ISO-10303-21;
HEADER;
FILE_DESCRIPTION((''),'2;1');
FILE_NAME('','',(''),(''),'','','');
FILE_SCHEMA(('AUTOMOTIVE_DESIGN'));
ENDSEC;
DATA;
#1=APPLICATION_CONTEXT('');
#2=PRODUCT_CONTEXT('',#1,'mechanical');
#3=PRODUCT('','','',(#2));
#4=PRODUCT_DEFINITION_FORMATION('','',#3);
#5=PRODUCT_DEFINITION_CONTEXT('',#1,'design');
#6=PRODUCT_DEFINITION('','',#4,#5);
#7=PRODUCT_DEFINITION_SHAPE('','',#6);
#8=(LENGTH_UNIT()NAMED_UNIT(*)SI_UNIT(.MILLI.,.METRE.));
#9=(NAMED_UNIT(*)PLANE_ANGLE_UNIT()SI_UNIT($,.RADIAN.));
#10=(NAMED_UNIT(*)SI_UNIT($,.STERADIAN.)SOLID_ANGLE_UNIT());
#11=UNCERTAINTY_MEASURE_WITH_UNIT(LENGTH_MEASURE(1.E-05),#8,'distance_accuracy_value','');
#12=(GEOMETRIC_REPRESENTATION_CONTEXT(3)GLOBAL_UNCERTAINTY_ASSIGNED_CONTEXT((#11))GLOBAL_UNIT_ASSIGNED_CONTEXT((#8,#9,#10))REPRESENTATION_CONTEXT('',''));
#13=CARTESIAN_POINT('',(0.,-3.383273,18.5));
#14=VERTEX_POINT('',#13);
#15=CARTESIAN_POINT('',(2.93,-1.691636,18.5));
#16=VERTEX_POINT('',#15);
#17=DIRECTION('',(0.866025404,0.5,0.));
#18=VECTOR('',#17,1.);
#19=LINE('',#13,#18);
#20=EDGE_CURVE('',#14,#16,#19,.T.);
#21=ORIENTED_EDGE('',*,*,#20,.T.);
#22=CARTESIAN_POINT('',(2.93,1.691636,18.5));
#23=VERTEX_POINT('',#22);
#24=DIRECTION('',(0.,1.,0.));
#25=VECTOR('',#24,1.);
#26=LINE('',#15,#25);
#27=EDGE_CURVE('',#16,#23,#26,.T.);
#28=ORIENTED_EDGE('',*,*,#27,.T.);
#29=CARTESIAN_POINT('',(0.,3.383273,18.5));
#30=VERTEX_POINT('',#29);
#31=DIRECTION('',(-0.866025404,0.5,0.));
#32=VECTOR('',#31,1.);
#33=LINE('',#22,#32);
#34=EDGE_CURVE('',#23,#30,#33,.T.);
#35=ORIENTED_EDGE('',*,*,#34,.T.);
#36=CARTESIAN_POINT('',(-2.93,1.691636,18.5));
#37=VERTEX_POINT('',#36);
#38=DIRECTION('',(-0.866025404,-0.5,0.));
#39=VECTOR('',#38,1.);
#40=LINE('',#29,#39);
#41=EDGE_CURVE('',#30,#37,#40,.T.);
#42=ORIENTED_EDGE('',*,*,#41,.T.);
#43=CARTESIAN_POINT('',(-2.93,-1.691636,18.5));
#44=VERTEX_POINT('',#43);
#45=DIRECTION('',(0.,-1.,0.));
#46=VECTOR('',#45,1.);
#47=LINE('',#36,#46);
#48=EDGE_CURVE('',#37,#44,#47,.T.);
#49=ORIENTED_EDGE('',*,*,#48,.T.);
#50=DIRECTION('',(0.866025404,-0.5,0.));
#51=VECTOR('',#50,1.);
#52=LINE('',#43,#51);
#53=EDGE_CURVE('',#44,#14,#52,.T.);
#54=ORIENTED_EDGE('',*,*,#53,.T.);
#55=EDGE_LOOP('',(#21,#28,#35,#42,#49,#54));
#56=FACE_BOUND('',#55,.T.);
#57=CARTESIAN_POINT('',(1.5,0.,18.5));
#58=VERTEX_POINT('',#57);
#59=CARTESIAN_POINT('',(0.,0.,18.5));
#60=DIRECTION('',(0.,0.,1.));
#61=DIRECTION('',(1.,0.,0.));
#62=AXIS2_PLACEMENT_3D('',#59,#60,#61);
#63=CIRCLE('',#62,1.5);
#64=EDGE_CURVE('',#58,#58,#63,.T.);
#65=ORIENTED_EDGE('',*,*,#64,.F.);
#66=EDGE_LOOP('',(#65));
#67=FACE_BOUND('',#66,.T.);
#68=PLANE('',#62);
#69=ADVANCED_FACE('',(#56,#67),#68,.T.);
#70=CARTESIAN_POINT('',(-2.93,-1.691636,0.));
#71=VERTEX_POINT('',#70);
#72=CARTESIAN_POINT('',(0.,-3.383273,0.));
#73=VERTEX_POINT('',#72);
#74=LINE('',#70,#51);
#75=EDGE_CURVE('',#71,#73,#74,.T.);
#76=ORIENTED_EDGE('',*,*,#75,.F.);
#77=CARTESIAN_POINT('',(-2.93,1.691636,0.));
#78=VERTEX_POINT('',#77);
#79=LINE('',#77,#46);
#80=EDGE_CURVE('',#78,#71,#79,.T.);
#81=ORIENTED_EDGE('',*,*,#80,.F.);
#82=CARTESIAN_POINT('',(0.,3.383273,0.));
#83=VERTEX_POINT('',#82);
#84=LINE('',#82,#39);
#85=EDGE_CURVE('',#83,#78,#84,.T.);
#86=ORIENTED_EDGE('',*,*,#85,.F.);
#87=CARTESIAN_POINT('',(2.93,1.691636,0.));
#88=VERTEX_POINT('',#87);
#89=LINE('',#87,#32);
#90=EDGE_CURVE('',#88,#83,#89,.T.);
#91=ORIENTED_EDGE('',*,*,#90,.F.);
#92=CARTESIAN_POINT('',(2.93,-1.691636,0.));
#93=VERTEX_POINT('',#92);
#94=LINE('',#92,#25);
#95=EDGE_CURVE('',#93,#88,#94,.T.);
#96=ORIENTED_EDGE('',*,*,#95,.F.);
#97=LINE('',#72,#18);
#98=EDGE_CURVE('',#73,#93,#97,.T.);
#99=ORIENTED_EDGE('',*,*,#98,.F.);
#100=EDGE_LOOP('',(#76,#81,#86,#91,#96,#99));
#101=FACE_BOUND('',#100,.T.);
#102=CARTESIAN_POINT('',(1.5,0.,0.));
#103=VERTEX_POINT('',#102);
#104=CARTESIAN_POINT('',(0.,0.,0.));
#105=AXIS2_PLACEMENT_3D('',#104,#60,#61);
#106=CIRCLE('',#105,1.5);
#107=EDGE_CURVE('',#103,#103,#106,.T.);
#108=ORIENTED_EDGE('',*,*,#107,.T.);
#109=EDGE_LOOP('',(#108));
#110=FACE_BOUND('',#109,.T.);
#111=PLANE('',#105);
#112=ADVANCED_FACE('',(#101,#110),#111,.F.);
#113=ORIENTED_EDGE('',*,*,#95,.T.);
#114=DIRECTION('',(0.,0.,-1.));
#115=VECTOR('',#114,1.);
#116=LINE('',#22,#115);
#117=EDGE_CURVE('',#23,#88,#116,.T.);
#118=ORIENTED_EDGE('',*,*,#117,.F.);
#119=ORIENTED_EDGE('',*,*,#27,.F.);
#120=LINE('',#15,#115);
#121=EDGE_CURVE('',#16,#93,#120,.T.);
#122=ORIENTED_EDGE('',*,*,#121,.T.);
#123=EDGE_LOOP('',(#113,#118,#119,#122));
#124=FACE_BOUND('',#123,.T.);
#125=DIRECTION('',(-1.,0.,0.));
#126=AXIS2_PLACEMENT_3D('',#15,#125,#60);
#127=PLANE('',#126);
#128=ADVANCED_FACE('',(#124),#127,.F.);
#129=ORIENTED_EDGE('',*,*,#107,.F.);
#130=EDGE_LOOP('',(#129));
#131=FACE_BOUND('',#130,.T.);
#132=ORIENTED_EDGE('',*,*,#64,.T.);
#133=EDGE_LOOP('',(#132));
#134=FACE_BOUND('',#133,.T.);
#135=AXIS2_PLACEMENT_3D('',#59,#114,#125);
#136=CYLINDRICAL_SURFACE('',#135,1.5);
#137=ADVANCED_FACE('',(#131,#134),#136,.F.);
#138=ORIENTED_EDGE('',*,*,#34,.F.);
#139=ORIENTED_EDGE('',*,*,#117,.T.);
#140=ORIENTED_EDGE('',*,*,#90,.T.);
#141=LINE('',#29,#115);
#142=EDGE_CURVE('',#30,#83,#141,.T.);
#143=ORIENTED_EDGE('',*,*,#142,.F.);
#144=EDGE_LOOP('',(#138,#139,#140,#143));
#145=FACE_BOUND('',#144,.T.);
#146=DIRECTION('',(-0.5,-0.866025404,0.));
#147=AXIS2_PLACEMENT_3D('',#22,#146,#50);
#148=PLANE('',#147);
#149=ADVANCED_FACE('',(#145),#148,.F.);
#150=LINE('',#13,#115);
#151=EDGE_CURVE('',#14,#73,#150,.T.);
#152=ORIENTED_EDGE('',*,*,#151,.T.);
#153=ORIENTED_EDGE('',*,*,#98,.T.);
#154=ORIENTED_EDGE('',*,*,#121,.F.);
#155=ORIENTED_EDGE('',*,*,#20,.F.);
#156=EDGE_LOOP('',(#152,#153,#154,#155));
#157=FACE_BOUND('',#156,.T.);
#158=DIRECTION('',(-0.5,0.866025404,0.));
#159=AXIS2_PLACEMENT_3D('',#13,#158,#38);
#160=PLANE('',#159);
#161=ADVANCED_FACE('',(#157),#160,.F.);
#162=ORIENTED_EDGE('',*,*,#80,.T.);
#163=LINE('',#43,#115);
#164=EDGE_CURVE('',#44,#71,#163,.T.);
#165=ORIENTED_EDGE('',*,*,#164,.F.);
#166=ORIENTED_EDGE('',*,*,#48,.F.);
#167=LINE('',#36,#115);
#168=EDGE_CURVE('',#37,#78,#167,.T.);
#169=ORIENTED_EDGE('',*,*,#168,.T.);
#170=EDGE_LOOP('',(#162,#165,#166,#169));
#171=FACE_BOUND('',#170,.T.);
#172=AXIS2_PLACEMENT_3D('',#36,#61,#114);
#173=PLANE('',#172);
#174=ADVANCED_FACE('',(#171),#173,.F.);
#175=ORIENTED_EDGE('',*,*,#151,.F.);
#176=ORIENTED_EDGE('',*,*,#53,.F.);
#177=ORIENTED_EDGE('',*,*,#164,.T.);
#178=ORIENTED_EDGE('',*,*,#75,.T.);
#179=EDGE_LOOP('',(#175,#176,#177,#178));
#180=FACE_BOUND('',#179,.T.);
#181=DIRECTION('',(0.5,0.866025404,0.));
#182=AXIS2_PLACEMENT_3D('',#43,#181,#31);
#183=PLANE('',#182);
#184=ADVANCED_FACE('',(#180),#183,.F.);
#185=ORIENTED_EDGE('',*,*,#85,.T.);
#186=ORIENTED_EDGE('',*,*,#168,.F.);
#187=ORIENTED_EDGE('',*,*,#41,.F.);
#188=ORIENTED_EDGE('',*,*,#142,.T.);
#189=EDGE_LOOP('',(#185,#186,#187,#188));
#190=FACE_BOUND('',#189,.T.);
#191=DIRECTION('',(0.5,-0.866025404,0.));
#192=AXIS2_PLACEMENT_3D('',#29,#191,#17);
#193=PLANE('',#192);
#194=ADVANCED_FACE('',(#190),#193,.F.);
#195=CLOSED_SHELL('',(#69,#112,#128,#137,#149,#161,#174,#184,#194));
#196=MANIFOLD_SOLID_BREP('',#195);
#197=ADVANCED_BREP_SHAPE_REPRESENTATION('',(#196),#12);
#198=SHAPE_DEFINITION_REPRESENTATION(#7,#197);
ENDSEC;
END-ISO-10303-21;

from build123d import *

# Parameters (mm, degrees)
ESQUISSE1_R        = 1.5
BOSS_EXTRU_1_DEPTH = 18.5


with BuildPart() as part:
    # Esquisse1 → Boss.-Extru.1 (new body)
    with BuildSketch(Plane.XY):
        Polygon((0, -3.383272577), (2.93, -1.691636289), (2.93, 1.691636289), (0, 3.383272577), (-2.93, 1.691636289), (-2.93, -1.691636289), align=None)
        Circle(ESQUISSE1_R, mode=Mode.SUBTRACT)
    extrude(amount=BOSS_EXTRU_1_DEPTH)


solid = part.part
